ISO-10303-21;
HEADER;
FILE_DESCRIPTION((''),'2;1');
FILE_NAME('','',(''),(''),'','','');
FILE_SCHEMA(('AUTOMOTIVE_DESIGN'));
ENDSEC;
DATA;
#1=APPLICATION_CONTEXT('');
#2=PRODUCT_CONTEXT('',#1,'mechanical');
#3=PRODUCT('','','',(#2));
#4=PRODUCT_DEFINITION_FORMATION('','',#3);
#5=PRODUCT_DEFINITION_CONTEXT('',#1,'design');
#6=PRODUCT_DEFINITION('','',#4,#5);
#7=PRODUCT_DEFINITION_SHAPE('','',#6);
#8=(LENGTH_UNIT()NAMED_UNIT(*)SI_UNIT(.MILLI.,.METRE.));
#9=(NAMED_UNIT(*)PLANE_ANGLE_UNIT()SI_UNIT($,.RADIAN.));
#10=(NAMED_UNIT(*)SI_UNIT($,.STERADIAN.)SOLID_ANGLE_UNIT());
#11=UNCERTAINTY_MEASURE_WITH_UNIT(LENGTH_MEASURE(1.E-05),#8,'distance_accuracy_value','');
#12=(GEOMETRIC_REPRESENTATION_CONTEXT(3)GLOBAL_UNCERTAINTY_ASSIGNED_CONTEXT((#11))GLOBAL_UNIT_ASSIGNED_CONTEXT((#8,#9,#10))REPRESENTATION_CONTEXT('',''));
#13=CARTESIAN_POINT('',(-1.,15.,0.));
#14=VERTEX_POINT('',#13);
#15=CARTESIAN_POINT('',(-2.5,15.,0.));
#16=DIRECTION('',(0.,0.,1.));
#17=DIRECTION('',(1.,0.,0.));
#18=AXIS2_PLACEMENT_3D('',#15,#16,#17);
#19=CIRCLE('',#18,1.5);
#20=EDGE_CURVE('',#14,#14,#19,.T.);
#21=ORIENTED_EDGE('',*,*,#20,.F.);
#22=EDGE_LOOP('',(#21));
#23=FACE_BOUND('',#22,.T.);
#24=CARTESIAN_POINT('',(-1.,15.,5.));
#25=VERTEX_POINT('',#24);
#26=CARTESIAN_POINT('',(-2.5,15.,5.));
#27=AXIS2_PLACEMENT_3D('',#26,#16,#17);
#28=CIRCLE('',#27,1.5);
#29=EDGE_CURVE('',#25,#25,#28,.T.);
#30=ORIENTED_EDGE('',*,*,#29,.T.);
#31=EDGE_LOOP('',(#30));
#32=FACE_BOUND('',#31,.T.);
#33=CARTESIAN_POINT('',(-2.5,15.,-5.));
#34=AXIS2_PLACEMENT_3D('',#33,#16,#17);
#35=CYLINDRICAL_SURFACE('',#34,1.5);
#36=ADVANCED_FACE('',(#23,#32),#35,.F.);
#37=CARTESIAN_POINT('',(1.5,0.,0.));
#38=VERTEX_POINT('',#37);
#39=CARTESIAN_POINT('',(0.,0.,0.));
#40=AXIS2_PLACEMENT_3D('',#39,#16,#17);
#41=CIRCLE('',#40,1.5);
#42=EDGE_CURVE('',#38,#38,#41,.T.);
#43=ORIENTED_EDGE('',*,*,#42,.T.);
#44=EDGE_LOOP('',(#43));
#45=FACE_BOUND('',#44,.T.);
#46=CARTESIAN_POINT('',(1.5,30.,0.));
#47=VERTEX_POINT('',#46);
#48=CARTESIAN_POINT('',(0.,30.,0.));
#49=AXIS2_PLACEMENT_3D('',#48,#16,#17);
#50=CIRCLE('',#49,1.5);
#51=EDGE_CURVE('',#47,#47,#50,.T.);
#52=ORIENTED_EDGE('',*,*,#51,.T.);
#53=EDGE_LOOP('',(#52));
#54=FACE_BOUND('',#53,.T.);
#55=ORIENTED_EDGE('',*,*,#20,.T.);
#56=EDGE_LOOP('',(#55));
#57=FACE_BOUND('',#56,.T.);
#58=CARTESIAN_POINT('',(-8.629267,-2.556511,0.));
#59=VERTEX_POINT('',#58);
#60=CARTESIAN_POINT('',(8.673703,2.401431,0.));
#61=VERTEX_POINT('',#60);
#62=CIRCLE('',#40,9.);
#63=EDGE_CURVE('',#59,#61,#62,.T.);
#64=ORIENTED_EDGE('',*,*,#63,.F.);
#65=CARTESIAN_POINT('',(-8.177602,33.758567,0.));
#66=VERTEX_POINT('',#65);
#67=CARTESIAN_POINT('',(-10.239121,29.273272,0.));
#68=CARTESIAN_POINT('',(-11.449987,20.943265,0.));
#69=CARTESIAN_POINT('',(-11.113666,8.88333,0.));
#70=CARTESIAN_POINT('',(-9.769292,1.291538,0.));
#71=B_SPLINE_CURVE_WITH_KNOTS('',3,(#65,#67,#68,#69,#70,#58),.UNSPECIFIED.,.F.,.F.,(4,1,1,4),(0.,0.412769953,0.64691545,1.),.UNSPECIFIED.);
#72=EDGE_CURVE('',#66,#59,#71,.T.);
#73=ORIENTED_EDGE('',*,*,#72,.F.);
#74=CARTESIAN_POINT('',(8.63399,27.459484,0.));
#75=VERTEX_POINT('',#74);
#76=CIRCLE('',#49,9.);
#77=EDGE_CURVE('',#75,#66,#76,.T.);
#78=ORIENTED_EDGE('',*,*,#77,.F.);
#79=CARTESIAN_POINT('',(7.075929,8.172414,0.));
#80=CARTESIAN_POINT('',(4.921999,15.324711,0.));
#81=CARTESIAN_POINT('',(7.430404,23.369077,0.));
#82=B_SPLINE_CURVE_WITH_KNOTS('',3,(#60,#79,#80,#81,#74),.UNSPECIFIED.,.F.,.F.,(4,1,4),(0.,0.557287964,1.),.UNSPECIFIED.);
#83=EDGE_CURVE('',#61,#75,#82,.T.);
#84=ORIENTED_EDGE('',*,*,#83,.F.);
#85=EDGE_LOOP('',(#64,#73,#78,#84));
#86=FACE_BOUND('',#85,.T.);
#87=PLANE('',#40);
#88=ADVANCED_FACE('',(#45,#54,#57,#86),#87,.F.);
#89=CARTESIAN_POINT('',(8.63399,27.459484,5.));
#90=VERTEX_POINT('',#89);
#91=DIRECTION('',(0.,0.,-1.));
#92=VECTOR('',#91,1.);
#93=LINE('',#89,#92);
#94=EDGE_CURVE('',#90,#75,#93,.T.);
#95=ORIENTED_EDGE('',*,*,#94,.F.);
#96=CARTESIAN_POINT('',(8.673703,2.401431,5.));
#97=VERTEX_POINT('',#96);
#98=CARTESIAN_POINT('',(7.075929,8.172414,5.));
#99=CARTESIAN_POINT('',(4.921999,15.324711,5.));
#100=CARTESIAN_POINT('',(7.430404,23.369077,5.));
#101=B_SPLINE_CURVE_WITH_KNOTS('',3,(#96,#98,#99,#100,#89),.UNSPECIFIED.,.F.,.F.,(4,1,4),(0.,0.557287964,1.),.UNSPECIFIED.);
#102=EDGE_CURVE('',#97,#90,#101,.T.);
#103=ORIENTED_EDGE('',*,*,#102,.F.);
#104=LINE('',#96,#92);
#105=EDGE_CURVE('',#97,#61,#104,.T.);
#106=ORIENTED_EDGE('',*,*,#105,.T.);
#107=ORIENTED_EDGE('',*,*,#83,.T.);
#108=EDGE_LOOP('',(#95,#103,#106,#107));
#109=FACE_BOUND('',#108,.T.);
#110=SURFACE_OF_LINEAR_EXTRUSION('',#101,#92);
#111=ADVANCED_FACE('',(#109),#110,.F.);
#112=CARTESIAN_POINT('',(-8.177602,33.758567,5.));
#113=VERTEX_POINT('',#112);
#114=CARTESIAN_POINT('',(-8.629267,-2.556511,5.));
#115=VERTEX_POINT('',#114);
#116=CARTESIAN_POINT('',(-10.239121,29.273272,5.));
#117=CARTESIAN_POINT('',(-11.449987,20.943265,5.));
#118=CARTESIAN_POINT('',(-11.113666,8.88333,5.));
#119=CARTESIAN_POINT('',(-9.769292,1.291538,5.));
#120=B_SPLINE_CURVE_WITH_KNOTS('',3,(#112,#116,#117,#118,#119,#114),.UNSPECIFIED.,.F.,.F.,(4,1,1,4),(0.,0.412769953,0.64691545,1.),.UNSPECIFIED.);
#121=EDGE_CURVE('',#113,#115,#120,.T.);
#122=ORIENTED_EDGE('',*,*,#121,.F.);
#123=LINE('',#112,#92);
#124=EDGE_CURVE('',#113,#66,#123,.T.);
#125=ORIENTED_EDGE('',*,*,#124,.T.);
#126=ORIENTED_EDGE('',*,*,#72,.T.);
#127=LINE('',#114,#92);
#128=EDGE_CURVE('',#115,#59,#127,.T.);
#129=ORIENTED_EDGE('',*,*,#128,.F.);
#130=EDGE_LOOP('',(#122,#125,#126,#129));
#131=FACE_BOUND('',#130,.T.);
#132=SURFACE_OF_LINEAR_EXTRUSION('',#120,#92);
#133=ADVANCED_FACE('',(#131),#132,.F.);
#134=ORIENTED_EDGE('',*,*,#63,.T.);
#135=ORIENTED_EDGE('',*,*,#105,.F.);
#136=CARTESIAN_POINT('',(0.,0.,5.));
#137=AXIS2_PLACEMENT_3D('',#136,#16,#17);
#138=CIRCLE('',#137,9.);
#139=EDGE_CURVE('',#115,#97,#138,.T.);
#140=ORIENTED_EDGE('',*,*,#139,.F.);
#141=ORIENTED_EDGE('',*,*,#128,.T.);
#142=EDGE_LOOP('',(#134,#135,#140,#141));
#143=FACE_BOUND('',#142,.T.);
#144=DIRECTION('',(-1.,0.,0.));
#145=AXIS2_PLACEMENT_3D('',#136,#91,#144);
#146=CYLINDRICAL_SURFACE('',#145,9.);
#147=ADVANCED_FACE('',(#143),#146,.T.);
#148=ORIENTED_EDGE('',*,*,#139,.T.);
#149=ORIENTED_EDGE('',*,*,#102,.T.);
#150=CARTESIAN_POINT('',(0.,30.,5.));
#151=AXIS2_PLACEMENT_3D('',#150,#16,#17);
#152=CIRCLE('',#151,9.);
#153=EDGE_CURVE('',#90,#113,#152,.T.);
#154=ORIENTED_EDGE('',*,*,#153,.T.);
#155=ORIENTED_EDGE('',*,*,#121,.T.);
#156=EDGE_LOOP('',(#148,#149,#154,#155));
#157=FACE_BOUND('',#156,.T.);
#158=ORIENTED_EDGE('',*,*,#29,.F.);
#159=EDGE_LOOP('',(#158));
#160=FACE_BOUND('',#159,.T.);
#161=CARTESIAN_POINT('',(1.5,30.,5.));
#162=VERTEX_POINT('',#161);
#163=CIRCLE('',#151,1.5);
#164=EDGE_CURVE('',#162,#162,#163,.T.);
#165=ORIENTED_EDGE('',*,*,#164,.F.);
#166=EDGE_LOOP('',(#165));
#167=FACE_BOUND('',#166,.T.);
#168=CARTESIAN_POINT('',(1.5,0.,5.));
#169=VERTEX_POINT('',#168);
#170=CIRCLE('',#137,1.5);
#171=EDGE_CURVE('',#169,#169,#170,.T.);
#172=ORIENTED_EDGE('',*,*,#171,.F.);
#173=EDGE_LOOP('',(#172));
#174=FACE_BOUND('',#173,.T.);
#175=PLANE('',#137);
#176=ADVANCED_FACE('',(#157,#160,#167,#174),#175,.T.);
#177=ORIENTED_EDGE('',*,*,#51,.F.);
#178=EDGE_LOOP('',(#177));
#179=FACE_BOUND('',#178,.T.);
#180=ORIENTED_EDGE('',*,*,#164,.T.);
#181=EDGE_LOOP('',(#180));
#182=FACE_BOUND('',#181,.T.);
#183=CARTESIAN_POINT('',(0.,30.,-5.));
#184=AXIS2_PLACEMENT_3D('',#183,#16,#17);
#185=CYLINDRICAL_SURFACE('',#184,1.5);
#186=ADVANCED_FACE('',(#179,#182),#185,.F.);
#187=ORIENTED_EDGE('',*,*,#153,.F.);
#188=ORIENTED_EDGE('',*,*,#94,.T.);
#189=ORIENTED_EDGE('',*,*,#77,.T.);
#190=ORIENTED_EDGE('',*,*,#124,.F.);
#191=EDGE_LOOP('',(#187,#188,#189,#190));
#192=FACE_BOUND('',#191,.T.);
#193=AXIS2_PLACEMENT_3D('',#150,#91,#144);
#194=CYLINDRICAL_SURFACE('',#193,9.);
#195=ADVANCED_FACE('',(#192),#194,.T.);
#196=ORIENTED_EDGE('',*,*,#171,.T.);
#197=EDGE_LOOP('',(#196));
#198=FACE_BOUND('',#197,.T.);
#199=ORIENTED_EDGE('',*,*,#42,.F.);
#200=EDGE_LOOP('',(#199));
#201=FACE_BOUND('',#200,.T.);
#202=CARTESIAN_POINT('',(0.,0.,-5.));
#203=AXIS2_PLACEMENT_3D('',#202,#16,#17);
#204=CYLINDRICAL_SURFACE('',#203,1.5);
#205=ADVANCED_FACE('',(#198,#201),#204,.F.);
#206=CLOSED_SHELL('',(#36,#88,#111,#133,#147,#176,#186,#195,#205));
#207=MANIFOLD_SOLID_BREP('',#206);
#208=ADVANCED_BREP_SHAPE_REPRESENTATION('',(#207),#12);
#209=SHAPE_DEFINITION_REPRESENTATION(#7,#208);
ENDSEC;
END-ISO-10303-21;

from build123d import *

# Parameters (mm, degrees)
SKETCH_1_R          = 9
EXTRUDE_1_DEPTH     = 5
SKETCH_2_R          = 1.5
CUT_EXTRUDE_1_DEPTH = 10
SKETCH_3_R          = 1.5
CUT_EXTRUDE_2_DEPTH = 10


with BuildPart() as part:
    # 草图1 → 凸台-拉伸1 (new body)
    with BuildSketch(Plane.XY):
        with BuildLine():
            ThreePointArc((-8.629267244, -2.556510674), (-2.479070596, 8.651832695), (8.673703204, 2.401431392))
            add(Edge.make_bspline(
                [(8.673703204, 2.401431392), (7.075929143, 8.172413663), (4.921999012, 15.324710847), (7.430404247, 23.369076832), (8.633989736, 27.459484061)],
                knots=[0, 0, 0, 0, 0.557287964, 1, 1, 1, 1], degree=3))
            ThreePointArc((8.633989736, 27.459484061), (-3.157797251, 21.572170118), (-8.17760204, 33.758566865))
            add(Edge.make_bspline(
                [(-8.17760204, 33.758566865), (-10.239121011, 29.273271712), (-11.449987144, 20.943264961), (-11.113666199, 8.883330205), (-9.769292032, 1.291538409), (-8.629267244, -2.556510674)],
                knots=[0, 0, 0, 0, 0.412769953, 0.64691545, 1, 1, 1, 1], degree=3))
        make_face()
        with Locations((0, 30)):
            Circle(SKETCH_1_R)
        Circle(SKETCH_1_R)
    extrude(amount=EXTRUDE_1_DEPTH)

    # 草图2 → 切除-拉伸1 (cut)
    with BuildSketch(Plane.XY.offset(5)):
        with Locations((0, 30)):
            Circle(SKETCH_2_R)
        Circle(SKETCH_2_R)
    extrude(amount=-CUT_EXTRUDE_1_DEPTH, mode=Mode.SUBTRACT)

    # 草图3 → 切除-拉伸2 (cut)
    with BuildSketch(Plane.XY.offset(5)):
        with Locations((-2.5, 15)):
            Circle(SKETCH_3_R)
    extrude(amount=-CUT_EXTRUDE_2_DEPTH, mode=Mode.SUBTRACT)


solid = part.part
